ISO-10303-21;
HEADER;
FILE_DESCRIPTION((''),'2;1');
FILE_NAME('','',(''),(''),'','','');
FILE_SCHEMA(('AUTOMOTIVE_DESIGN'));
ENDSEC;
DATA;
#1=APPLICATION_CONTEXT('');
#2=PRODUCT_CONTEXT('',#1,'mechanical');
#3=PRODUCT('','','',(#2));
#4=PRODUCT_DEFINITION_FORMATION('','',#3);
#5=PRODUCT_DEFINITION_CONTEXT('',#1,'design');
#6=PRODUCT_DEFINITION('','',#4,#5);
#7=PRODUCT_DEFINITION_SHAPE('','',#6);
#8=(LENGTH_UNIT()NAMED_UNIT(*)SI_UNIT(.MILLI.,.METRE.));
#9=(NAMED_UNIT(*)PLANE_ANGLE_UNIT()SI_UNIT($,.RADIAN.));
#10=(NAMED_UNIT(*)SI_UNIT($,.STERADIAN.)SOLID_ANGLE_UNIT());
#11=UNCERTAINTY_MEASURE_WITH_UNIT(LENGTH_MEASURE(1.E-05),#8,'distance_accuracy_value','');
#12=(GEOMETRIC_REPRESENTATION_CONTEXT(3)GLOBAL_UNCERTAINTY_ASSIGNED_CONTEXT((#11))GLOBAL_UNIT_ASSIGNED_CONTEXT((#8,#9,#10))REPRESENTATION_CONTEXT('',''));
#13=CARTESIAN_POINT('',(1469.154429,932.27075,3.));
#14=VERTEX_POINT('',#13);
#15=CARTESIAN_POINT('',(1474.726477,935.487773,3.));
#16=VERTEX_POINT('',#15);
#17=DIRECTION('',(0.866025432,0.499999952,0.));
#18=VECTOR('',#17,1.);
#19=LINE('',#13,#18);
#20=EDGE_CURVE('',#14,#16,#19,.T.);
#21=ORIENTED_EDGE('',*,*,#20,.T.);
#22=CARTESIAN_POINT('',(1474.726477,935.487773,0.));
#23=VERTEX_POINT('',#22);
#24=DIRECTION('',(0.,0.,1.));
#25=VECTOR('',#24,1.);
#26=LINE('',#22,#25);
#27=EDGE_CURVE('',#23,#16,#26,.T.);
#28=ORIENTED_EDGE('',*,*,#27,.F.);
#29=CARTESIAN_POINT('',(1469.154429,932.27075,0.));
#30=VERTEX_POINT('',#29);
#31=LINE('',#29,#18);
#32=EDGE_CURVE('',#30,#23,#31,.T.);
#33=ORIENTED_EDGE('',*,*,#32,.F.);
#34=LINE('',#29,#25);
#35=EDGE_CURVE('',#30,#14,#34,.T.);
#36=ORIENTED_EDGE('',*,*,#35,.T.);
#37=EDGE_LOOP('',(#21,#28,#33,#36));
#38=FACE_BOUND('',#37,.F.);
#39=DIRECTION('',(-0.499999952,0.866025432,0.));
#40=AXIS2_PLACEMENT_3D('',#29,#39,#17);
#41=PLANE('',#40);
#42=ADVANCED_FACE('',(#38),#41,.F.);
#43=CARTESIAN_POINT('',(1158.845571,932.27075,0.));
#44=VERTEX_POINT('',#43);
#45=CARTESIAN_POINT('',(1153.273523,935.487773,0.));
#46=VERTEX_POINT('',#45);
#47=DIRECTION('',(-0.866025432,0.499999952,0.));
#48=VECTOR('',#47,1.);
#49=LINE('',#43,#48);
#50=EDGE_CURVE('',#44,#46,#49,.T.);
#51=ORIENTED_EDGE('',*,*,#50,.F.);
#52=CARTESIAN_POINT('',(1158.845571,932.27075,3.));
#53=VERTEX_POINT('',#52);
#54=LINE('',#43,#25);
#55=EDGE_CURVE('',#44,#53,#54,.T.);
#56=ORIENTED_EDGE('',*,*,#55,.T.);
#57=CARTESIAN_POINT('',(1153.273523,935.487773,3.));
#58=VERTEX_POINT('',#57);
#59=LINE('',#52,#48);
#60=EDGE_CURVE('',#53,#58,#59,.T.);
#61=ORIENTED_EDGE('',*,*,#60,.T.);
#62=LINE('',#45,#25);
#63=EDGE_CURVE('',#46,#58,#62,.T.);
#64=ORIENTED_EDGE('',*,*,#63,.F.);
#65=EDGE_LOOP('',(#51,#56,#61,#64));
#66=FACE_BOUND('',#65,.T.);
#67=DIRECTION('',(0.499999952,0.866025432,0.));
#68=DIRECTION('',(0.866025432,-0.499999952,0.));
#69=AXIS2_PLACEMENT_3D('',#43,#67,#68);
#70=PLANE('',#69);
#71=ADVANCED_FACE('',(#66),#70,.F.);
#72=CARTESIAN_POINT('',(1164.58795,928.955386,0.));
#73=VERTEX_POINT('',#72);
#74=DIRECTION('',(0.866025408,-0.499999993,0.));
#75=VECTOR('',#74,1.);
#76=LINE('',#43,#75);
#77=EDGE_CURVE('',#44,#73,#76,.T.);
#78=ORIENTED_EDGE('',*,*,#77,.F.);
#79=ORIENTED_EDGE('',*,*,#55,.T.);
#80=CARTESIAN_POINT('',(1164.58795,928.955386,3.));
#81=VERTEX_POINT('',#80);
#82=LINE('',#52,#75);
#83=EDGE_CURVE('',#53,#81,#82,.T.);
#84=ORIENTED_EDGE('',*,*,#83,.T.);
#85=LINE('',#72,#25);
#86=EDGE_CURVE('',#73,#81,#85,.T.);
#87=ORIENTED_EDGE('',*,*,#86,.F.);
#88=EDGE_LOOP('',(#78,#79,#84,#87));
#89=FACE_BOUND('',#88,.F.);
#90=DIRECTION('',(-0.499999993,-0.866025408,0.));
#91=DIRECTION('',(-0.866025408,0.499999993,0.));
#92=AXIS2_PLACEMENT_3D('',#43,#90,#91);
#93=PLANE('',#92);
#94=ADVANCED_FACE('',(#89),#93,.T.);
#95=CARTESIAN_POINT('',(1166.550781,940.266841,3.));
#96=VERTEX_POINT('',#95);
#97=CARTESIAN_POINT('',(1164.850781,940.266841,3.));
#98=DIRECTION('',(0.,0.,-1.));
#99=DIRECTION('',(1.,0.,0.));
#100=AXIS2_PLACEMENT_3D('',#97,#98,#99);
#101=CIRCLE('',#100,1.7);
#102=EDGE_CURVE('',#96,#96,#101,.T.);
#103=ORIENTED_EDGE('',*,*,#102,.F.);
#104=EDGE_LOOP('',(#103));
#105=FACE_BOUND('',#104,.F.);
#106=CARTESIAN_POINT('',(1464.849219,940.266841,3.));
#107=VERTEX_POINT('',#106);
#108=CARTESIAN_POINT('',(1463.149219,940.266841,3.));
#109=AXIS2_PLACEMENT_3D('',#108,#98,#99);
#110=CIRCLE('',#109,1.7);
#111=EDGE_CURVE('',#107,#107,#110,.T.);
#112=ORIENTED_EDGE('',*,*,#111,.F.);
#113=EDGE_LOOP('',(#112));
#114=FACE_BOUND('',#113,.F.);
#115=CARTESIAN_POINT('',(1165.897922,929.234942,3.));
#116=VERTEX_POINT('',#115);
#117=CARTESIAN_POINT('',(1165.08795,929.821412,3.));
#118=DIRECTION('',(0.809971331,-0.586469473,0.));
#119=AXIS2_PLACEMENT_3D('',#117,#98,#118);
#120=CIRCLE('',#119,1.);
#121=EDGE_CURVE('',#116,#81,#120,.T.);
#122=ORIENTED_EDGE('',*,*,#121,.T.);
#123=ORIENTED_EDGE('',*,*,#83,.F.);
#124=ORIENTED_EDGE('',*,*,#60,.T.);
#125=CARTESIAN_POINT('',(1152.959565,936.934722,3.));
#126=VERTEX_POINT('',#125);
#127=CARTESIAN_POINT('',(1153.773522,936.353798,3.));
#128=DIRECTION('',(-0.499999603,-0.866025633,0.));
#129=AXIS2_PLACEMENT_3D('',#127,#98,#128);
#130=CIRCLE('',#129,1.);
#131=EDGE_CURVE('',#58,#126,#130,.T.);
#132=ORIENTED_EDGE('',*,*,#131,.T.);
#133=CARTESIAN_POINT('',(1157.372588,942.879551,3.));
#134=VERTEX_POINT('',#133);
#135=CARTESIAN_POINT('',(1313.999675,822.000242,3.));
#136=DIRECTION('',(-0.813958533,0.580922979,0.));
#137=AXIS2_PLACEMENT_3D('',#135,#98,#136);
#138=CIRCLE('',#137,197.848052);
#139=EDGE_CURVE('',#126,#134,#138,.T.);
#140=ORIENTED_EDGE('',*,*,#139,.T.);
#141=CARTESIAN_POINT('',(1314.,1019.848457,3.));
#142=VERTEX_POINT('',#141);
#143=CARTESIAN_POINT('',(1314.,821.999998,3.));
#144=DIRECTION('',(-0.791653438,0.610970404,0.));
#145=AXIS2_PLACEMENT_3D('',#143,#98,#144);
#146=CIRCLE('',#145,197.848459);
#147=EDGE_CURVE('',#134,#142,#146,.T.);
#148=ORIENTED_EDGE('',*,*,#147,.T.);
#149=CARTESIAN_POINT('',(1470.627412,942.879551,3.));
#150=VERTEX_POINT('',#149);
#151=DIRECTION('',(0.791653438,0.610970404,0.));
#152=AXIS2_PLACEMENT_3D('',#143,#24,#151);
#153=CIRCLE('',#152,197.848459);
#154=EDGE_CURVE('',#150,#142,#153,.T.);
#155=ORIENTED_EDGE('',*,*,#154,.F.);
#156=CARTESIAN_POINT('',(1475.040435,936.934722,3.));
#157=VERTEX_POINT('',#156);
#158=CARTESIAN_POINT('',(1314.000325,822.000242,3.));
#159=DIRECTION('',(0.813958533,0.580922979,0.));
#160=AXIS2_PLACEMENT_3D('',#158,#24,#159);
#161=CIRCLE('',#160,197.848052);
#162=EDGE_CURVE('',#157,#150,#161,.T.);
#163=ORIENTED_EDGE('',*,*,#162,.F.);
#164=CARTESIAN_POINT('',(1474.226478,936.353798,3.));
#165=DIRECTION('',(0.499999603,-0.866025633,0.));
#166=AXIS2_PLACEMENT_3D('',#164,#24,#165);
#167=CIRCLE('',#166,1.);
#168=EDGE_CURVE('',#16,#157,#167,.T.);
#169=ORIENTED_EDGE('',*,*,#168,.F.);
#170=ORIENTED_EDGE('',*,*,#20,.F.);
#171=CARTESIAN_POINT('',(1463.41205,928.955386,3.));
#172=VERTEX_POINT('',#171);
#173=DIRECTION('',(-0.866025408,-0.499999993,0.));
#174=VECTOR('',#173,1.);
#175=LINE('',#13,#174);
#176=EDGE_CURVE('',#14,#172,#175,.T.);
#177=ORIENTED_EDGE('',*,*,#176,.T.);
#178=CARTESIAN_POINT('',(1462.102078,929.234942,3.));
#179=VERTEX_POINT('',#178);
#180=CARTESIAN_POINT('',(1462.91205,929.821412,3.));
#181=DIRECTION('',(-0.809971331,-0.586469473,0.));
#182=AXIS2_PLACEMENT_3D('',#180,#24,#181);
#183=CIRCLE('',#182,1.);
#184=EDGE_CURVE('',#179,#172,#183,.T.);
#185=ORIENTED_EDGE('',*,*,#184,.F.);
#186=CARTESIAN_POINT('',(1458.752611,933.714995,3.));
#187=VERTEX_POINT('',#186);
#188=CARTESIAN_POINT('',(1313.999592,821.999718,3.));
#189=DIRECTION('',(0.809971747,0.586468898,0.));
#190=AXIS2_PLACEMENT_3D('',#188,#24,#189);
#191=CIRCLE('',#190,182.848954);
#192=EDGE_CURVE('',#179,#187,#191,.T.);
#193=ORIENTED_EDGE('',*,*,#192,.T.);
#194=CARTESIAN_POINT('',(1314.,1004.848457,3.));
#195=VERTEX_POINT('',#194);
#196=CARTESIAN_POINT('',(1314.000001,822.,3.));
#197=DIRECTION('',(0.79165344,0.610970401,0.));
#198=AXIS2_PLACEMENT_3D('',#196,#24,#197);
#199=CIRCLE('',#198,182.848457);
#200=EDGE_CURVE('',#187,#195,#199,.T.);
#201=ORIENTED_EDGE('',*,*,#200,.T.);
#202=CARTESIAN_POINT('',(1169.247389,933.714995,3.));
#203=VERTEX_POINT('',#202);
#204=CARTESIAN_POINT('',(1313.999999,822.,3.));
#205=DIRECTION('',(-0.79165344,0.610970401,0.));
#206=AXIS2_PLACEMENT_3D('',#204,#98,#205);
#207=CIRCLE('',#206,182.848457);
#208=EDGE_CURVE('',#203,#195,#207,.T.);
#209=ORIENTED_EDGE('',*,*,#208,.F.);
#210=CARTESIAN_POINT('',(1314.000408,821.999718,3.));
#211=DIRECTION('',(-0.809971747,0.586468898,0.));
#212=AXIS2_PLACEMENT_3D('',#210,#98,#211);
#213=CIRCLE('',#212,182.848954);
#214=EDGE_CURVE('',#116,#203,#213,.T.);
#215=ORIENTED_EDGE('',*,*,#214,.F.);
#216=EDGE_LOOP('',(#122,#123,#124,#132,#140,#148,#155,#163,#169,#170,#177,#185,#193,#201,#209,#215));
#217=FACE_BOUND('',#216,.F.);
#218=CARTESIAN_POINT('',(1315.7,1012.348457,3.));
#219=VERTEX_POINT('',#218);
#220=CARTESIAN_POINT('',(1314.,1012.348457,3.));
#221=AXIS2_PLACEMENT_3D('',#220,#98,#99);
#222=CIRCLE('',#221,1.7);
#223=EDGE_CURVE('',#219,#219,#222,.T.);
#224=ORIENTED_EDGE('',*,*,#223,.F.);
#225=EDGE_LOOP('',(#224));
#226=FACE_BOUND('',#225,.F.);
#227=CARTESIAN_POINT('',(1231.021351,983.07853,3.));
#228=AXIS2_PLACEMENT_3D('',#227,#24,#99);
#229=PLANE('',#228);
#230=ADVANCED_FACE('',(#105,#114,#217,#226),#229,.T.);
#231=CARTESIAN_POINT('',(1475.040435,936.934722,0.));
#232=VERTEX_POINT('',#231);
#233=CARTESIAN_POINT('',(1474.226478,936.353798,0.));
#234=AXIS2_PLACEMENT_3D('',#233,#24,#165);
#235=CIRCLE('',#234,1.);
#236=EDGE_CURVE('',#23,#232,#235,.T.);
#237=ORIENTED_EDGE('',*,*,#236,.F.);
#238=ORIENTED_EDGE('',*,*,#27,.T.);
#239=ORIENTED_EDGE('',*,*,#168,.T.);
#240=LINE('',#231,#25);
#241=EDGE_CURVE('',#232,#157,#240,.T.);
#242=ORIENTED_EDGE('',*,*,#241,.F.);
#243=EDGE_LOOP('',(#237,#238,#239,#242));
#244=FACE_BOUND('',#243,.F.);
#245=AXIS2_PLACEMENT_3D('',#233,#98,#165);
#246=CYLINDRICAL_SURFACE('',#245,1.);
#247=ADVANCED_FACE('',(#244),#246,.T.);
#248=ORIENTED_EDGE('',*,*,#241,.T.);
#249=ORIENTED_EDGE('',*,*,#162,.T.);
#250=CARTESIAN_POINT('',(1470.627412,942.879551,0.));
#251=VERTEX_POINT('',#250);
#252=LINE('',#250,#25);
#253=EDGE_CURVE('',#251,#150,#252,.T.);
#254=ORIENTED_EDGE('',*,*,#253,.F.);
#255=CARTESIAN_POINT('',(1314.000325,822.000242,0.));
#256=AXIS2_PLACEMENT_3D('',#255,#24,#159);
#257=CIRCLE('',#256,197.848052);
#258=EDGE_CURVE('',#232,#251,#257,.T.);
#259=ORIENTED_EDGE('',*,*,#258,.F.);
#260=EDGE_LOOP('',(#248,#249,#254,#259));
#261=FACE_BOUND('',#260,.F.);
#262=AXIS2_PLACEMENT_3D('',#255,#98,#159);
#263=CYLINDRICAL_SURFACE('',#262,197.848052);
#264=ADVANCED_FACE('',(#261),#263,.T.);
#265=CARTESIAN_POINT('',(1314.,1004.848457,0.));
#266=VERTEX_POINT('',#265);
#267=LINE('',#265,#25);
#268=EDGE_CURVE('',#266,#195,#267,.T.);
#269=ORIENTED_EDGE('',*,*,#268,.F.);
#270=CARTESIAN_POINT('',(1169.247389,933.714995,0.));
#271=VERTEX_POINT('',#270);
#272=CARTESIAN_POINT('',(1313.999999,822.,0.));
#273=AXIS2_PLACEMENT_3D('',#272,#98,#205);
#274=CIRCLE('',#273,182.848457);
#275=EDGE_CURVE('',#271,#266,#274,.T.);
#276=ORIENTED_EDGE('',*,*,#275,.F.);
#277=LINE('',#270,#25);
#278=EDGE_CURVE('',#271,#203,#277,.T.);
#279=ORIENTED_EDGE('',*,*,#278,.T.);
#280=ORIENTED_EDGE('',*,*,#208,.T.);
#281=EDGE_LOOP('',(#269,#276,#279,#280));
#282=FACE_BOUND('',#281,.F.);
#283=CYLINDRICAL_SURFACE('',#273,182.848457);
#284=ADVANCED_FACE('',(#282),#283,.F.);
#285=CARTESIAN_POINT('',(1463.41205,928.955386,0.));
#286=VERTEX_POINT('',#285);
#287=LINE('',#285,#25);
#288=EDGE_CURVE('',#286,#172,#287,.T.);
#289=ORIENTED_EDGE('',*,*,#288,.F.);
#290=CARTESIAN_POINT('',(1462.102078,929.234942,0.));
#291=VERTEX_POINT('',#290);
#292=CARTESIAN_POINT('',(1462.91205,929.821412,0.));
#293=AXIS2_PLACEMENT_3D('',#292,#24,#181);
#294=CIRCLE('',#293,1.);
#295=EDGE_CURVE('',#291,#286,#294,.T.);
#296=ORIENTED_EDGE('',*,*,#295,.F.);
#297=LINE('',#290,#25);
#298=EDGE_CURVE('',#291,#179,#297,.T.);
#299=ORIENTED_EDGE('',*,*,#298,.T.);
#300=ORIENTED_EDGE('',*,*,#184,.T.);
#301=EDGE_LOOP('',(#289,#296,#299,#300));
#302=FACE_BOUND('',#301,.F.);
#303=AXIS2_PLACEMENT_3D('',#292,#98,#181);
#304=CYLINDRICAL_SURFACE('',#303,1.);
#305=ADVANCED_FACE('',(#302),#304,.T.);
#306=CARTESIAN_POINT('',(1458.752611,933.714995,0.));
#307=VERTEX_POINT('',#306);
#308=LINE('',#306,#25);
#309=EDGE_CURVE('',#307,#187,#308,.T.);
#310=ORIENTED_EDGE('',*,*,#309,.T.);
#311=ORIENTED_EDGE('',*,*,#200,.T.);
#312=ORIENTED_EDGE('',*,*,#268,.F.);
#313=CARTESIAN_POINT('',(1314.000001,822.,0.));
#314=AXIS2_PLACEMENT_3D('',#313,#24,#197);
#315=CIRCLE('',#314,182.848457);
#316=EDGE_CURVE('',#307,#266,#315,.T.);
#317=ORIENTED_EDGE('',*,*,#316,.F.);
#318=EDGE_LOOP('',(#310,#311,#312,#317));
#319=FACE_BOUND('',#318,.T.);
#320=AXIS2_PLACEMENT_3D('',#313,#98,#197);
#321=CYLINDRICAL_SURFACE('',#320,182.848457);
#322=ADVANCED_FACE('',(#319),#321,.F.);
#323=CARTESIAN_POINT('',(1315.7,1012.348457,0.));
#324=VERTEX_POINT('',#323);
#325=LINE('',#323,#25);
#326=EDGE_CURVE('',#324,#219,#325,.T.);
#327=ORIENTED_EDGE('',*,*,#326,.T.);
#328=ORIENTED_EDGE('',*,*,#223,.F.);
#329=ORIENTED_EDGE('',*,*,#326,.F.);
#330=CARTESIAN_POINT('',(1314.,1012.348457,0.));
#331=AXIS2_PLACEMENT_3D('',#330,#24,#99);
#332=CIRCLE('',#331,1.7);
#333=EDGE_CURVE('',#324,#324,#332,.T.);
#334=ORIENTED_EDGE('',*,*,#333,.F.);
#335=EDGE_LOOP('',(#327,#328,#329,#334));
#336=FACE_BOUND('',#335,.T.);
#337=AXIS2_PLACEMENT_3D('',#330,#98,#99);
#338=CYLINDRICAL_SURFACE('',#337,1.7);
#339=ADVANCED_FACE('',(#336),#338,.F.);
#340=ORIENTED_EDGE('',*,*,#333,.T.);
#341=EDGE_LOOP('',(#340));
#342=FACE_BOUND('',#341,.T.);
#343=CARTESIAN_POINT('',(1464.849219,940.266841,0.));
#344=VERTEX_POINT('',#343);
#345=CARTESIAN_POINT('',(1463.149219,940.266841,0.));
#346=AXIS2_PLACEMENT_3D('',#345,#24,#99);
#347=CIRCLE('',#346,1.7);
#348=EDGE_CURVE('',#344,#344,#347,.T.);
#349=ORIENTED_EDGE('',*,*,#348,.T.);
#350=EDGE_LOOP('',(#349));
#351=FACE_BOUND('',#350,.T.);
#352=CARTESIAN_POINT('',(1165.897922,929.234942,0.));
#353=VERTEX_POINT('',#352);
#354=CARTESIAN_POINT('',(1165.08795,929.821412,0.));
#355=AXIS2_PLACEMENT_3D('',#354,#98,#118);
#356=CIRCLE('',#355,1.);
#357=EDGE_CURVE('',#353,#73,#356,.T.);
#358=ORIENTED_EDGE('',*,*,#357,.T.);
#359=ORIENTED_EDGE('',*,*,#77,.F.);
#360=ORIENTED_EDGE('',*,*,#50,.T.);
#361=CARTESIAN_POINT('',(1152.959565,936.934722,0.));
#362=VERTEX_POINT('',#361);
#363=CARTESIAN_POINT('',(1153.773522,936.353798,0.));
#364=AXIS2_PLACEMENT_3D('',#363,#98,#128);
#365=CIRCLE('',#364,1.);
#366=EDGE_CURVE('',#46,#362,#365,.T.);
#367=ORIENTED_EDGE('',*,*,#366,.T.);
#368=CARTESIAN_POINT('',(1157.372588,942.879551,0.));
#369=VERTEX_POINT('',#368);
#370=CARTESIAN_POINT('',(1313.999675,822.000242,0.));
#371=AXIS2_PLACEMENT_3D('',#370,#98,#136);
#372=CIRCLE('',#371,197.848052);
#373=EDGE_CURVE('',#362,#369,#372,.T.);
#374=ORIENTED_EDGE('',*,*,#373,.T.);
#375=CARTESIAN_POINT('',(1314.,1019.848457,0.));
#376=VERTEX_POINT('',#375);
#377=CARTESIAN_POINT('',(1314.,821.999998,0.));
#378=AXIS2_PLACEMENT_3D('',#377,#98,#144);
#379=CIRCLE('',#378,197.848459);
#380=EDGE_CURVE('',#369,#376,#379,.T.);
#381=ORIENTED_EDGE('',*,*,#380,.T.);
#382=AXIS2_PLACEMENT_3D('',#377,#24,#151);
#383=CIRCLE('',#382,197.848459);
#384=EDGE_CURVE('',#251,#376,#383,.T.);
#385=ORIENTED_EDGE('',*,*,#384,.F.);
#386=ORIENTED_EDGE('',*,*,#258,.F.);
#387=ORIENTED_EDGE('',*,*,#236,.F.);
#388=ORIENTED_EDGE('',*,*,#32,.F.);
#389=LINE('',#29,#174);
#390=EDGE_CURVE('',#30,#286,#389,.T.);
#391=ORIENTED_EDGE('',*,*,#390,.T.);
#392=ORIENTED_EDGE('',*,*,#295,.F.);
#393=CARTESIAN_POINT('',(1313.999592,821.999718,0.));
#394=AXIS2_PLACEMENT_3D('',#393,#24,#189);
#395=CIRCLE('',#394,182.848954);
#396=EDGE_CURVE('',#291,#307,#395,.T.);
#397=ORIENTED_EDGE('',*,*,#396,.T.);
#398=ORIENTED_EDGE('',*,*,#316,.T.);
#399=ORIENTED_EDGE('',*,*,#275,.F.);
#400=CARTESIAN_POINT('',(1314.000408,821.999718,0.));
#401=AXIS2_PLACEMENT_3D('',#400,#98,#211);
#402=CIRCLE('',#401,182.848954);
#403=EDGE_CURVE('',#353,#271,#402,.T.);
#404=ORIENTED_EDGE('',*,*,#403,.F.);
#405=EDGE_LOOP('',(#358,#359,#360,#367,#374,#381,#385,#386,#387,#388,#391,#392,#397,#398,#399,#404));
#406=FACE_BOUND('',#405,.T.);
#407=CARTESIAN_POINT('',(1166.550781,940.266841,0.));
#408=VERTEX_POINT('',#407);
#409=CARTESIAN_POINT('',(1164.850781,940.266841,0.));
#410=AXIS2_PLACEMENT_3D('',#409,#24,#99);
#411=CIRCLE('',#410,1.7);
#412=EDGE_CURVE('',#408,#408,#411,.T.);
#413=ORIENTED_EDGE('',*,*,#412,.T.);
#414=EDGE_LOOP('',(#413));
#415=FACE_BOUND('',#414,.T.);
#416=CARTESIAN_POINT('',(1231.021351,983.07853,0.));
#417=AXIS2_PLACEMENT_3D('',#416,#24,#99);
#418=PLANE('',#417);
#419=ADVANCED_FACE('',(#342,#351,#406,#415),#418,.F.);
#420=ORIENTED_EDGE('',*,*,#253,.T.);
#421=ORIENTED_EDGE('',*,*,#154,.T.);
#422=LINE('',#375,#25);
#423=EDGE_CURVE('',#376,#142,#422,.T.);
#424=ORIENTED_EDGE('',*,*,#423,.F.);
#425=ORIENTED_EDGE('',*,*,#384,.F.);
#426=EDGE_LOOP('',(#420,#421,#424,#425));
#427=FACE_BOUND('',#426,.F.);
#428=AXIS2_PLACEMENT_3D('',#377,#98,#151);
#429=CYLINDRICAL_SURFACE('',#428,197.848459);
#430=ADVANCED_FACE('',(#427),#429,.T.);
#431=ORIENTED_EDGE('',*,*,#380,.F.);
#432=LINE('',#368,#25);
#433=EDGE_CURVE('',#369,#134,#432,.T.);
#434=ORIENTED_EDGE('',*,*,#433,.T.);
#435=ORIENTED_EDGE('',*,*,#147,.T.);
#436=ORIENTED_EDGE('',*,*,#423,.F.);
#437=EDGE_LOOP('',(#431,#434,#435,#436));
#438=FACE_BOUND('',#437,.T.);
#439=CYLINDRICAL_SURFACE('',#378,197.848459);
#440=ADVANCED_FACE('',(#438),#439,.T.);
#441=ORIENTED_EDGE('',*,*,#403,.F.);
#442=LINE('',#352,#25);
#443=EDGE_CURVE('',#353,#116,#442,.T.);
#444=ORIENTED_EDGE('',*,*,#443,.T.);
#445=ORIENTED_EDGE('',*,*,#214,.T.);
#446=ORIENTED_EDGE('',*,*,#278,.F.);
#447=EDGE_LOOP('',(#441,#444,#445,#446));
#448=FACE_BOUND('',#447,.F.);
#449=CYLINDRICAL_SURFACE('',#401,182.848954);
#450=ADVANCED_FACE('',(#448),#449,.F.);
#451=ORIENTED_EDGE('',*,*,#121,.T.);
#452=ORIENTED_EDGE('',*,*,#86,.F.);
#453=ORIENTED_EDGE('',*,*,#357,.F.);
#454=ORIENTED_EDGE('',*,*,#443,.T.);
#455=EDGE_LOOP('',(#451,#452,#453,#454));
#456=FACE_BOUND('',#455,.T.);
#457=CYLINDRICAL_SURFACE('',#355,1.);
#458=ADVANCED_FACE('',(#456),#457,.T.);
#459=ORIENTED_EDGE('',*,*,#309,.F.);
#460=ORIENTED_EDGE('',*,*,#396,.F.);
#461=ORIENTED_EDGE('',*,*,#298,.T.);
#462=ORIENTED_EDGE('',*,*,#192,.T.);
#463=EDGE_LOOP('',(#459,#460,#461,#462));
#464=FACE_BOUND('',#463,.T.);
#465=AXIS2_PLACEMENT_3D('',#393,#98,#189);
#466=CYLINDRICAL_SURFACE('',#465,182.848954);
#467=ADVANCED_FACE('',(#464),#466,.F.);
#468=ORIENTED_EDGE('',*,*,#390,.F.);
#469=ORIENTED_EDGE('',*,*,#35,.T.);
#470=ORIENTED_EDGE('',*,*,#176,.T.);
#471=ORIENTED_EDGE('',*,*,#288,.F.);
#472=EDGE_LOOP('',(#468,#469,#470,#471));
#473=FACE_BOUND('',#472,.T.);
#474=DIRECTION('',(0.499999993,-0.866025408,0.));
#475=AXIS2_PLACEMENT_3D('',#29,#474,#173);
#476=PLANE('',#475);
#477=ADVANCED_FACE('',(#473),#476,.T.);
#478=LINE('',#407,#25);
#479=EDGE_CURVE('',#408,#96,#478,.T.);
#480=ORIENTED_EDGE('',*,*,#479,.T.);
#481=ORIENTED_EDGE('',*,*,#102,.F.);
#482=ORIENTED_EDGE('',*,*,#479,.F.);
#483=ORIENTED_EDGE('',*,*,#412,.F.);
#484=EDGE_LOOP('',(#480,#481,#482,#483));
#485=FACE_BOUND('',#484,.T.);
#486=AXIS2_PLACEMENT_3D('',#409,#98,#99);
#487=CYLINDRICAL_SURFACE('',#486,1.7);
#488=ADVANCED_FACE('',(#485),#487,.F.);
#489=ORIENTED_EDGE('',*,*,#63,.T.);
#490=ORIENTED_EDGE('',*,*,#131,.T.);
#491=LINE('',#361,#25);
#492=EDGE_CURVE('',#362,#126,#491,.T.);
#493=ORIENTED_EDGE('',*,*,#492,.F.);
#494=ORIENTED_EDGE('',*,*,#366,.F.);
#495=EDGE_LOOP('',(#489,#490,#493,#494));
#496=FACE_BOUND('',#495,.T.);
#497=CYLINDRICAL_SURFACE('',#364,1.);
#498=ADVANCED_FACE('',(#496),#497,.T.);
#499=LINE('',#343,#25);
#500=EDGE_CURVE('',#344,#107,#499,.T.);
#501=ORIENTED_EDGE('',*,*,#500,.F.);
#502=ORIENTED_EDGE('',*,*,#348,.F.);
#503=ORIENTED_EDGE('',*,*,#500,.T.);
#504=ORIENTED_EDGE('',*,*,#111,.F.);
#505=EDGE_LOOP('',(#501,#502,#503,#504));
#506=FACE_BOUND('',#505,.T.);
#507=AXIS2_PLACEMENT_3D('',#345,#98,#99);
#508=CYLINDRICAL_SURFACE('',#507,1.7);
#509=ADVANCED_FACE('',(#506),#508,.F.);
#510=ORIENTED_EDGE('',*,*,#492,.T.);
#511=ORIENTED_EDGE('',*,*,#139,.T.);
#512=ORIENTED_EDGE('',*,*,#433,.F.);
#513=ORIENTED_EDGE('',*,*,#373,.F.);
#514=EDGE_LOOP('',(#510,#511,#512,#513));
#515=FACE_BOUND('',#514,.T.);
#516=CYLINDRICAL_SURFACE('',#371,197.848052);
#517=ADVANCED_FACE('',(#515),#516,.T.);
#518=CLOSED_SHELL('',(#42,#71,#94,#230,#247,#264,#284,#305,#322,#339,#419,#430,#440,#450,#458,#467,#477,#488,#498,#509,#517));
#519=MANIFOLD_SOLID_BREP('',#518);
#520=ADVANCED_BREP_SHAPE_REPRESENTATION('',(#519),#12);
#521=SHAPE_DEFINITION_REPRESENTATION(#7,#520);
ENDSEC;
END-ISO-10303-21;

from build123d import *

# Parameters (mm, degrees)
PAD021_DEPTH                        = 3
SKETCH083_R                         = 1.7
POCKET041_DEPTH                     = 0.001
POCKET041_DEPTH_BACK                = 3.001
SKETCH084_R                         = 1.7
POCKET042_DEPTH                     = 0.001
POCKET042_DEPTH_BACK                = 3.001
BODY001003005003013_PLACEMENT_ANGLE = 60
CLONE020_PLACEMENT_ANGLE            = 60


with BuildPart() as part:
    # Sketch082 → Pad021 (new body)
    with BuildSketch(Plane.XY):
        with BuildLine():
            ThreePointArc((156.627412, 120.879551), (87.258751, 177.56667), (0, 197.848457))
            Line((0, 197.848457), (0, 182.848457))
            ThreePointArc((144.752611, 111.714995), (80.643177, 164.104346), (0, 182.848457))
            ThreePointArc((148.102078, 107.234942), (146.444477, 109.487778), (144.752611, 111.714995))
            ThreePointArc((148.102078, 107.234942), (148.703343, 106.843433), (149.41205, 106.955386))
            Line((155.154429, 110.27075), (149.41205, 106.955386))
            Line((155.154429, 110.27075), (160.726477, 113.487773))
            ThreePointArc((160.726477, 113.487773), (161.203737, 114.141753), (161.040435, 114.934722))
            ThreePointArc((161.040435, 114.934722), (158.861734, 117.927781), (156.627412, 120.879551))
        make_face()
    pad021 = extrude(amount=PAD021_DEPTH)

    # Mirrored029: Pad021 across Sketch082 V_Axis
    add(pad021.mirror(Plane(origin=(0, 0, 0), x_dir=(0, 0, 1), z_dir=(1, 0, 0))))

    # Sketch083 → Pocket041 (cut, two sides)
    with BuildSketch(Plane.XY) as pocket041_sk:
        with Locations((149.149219, 118.266841)):
            Circle(SKETCH083_R)
        with Locations((-149.149219, 118.266841)):
            Circle(SKETCH083_R)
    extrude(amount=-POCKET041_DEPTH, mode=Mode.SUBTRACT)
    extrude(pocket041_sk.sketch, amount=POCKET041_DEPTH_BACK, mode=Mode.SUBTRACT)

    # Sketch084 → Pocket042 (cut, two sides)
    with BuildSketch(Plane.XY) as pocket042_sk:
        with Locations((0, 190.348457)):
            Circle(SKETCH084_R)
    extrude(amount=-POCKET042_DEPTH, mode=Mode.SUBTRACT)
    extrude(pocket042_sk.sketch, amount=POCKET042_DEPTH_BACK, mode=Mode.SUBTRACT)


with BuildPart() as part_1:
    # Body001003005003013 placement: moved
    add(part.part.rotate(Axis((0, 0, 0), (0, 0, 1)), BODY001003005003013_PLACEMENT_ANGLE))


with BuildPart() as part_2:
    # Clone020 placement: moved
    add(part_1.part.moved(Location((1314, 822, 0))).rotate(Axis((1314, 822, 0), (0, 0, -1)), CLONE020_PLACEMENT_ANGLE))


solid = part_2.part
